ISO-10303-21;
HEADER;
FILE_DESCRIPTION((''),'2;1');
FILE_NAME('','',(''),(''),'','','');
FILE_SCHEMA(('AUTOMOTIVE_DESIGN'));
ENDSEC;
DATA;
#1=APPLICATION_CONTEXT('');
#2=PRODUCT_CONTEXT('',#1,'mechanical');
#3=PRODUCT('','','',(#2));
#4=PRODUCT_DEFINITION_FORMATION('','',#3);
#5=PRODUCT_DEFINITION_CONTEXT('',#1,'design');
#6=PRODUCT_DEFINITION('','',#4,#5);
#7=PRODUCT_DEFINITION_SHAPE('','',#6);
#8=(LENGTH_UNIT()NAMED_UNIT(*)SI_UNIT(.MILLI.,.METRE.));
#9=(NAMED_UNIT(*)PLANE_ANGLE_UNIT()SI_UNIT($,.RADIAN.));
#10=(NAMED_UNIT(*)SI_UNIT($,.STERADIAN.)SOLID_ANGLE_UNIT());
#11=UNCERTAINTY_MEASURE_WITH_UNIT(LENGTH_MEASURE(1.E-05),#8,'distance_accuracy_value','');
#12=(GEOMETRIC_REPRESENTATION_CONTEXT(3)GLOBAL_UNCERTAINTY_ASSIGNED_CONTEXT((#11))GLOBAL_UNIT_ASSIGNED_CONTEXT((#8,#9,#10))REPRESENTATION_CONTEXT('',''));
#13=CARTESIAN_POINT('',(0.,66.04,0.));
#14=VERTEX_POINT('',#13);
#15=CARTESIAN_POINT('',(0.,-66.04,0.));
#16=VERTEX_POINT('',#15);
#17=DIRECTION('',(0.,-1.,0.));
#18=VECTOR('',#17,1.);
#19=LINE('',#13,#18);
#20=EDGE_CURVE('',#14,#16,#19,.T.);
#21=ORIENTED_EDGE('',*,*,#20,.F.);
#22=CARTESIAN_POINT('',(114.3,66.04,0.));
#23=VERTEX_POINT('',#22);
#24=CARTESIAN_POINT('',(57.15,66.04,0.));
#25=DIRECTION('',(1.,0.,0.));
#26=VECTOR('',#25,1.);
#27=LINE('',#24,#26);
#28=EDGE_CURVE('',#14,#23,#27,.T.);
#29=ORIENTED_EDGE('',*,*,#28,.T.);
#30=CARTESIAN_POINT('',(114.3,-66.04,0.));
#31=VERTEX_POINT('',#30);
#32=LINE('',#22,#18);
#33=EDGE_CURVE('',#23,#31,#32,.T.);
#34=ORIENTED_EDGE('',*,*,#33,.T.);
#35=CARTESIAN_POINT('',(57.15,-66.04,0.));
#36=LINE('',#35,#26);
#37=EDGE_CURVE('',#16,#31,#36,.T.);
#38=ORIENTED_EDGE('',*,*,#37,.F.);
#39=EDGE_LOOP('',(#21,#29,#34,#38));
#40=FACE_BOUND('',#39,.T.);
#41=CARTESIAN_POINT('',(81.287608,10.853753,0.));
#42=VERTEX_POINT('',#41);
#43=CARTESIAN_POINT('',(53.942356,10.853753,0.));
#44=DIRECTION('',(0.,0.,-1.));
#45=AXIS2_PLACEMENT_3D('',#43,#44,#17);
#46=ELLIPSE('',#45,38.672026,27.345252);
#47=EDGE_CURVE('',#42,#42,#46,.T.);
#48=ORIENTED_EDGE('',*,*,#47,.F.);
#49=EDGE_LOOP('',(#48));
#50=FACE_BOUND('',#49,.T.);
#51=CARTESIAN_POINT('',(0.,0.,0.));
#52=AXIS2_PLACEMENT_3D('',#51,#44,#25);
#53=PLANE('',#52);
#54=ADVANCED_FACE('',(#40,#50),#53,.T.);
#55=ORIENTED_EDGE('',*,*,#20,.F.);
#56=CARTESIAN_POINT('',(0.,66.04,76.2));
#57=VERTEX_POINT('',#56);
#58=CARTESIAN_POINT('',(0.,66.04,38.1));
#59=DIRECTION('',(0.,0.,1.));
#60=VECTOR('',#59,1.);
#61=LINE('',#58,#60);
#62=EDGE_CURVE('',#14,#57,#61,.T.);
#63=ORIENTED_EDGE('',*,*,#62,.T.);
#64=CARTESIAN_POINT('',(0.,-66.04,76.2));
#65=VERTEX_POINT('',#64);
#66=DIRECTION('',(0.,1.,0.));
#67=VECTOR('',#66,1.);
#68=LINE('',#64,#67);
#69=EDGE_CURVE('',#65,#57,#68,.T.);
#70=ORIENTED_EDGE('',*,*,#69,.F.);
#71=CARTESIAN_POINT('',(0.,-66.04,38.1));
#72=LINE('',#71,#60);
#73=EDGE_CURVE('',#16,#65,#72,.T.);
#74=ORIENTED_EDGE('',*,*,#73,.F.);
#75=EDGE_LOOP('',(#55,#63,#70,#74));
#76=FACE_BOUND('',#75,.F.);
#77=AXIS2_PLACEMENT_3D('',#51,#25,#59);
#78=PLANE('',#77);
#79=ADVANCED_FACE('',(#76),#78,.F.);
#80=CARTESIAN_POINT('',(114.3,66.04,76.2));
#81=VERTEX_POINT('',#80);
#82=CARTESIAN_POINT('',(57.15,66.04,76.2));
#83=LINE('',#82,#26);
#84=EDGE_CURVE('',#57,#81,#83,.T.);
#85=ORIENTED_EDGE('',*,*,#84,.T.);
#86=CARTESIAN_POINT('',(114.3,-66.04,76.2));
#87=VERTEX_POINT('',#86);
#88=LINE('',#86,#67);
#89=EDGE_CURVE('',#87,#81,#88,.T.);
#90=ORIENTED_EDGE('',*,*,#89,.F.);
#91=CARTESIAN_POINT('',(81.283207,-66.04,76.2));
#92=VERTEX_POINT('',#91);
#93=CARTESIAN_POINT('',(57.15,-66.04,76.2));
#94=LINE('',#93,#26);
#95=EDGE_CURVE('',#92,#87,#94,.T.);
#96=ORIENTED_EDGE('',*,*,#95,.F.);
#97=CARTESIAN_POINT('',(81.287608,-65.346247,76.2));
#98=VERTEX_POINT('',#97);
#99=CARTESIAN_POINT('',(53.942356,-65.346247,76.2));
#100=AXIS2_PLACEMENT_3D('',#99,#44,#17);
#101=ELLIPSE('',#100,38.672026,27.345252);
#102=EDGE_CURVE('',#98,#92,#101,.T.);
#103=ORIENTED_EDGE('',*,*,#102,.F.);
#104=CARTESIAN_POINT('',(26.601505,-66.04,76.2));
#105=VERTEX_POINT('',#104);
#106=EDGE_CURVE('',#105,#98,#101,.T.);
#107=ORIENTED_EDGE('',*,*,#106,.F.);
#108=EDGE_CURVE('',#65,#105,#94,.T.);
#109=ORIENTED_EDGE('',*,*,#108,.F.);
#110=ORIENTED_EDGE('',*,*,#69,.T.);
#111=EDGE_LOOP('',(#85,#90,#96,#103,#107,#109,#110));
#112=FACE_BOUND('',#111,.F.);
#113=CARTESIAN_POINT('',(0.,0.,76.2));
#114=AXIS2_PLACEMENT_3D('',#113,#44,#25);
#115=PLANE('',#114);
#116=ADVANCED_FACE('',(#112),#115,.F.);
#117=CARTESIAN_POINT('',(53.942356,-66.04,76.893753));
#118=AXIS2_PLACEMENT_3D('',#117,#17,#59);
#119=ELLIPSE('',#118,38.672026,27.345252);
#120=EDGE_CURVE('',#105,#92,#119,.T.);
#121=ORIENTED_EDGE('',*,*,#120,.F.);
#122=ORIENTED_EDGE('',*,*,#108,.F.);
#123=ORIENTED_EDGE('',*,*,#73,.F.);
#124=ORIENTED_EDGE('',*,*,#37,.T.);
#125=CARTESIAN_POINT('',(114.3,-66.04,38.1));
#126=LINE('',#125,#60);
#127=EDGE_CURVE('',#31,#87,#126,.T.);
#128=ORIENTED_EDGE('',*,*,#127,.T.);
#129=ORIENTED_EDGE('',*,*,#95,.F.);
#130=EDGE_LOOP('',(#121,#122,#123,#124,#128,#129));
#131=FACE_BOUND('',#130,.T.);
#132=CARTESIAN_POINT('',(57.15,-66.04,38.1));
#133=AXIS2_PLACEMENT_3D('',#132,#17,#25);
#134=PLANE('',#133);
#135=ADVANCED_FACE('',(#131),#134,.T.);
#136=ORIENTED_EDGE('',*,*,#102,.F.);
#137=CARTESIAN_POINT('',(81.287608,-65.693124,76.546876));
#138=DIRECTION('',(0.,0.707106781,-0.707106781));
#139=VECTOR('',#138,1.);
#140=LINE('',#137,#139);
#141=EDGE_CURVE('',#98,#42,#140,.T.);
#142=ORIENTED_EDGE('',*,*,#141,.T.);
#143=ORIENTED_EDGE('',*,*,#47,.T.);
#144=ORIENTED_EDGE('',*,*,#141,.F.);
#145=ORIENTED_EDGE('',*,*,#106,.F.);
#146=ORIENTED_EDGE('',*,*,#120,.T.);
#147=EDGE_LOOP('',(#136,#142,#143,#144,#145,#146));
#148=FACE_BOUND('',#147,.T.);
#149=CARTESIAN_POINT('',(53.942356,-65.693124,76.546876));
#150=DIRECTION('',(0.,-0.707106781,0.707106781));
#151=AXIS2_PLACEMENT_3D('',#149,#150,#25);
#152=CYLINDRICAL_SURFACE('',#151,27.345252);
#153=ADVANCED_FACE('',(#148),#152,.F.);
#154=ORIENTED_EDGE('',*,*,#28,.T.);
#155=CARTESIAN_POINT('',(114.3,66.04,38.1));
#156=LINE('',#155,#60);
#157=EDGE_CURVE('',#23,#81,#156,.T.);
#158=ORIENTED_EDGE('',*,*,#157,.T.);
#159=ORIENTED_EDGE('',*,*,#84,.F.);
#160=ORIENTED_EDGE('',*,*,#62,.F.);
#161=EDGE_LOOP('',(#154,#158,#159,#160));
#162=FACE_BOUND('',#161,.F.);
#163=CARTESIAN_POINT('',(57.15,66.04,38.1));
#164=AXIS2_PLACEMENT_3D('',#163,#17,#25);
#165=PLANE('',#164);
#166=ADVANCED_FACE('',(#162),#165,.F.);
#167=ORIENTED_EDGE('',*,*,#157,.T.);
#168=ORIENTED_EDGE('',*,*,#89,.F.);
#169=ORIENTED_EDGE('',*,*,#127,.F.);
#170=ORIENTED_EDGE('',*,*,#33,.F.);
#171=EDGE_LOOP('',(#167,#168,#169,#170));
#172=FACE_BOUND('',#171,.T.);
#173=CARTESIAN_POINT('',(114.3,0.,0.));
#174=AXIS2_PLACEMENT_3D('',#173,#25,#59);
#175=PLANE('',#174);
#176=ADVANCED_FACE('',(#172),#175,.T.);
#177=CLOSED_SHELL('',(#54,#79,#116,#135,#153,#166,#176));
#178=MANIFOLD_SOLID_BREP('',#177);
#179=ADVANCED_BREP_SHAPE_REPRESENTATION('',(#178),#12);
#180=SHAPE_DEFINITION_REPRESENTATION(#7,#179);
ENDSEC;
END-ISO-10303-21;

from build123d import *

# Parameters (mm, degrees)
F0_W     = 114.3
F0_H     = 76.2
F1_DEPTH = 66.04
F3_R     = 27.345252
F4_DEPTH = 147.2772


with BuildPart() as f1:
    # F0 (on Front) → F1 (new body, symmetric)
    with BuildSketch(Plane.XZ):
        with Locations((57.15, 38.1)):
            Rectangle(F0_W, F0_H)
    extrude(amount=F1_DEPTH, both=True)

    # F3 (on face) → F4 (cut, through all)
    with BuildSketch(Plane(origin=(0, -71.12, 71.12), x_dir=(1, 0, 0), z_dir=(0, 0.707107, -0.707107))):
        with Locations((53.942356, -7.674762)):
            Circle(F3_R)
    extrude(amount=F4_DEPTH, mode=Mode.SUBTRACT)


solid = f1.part
